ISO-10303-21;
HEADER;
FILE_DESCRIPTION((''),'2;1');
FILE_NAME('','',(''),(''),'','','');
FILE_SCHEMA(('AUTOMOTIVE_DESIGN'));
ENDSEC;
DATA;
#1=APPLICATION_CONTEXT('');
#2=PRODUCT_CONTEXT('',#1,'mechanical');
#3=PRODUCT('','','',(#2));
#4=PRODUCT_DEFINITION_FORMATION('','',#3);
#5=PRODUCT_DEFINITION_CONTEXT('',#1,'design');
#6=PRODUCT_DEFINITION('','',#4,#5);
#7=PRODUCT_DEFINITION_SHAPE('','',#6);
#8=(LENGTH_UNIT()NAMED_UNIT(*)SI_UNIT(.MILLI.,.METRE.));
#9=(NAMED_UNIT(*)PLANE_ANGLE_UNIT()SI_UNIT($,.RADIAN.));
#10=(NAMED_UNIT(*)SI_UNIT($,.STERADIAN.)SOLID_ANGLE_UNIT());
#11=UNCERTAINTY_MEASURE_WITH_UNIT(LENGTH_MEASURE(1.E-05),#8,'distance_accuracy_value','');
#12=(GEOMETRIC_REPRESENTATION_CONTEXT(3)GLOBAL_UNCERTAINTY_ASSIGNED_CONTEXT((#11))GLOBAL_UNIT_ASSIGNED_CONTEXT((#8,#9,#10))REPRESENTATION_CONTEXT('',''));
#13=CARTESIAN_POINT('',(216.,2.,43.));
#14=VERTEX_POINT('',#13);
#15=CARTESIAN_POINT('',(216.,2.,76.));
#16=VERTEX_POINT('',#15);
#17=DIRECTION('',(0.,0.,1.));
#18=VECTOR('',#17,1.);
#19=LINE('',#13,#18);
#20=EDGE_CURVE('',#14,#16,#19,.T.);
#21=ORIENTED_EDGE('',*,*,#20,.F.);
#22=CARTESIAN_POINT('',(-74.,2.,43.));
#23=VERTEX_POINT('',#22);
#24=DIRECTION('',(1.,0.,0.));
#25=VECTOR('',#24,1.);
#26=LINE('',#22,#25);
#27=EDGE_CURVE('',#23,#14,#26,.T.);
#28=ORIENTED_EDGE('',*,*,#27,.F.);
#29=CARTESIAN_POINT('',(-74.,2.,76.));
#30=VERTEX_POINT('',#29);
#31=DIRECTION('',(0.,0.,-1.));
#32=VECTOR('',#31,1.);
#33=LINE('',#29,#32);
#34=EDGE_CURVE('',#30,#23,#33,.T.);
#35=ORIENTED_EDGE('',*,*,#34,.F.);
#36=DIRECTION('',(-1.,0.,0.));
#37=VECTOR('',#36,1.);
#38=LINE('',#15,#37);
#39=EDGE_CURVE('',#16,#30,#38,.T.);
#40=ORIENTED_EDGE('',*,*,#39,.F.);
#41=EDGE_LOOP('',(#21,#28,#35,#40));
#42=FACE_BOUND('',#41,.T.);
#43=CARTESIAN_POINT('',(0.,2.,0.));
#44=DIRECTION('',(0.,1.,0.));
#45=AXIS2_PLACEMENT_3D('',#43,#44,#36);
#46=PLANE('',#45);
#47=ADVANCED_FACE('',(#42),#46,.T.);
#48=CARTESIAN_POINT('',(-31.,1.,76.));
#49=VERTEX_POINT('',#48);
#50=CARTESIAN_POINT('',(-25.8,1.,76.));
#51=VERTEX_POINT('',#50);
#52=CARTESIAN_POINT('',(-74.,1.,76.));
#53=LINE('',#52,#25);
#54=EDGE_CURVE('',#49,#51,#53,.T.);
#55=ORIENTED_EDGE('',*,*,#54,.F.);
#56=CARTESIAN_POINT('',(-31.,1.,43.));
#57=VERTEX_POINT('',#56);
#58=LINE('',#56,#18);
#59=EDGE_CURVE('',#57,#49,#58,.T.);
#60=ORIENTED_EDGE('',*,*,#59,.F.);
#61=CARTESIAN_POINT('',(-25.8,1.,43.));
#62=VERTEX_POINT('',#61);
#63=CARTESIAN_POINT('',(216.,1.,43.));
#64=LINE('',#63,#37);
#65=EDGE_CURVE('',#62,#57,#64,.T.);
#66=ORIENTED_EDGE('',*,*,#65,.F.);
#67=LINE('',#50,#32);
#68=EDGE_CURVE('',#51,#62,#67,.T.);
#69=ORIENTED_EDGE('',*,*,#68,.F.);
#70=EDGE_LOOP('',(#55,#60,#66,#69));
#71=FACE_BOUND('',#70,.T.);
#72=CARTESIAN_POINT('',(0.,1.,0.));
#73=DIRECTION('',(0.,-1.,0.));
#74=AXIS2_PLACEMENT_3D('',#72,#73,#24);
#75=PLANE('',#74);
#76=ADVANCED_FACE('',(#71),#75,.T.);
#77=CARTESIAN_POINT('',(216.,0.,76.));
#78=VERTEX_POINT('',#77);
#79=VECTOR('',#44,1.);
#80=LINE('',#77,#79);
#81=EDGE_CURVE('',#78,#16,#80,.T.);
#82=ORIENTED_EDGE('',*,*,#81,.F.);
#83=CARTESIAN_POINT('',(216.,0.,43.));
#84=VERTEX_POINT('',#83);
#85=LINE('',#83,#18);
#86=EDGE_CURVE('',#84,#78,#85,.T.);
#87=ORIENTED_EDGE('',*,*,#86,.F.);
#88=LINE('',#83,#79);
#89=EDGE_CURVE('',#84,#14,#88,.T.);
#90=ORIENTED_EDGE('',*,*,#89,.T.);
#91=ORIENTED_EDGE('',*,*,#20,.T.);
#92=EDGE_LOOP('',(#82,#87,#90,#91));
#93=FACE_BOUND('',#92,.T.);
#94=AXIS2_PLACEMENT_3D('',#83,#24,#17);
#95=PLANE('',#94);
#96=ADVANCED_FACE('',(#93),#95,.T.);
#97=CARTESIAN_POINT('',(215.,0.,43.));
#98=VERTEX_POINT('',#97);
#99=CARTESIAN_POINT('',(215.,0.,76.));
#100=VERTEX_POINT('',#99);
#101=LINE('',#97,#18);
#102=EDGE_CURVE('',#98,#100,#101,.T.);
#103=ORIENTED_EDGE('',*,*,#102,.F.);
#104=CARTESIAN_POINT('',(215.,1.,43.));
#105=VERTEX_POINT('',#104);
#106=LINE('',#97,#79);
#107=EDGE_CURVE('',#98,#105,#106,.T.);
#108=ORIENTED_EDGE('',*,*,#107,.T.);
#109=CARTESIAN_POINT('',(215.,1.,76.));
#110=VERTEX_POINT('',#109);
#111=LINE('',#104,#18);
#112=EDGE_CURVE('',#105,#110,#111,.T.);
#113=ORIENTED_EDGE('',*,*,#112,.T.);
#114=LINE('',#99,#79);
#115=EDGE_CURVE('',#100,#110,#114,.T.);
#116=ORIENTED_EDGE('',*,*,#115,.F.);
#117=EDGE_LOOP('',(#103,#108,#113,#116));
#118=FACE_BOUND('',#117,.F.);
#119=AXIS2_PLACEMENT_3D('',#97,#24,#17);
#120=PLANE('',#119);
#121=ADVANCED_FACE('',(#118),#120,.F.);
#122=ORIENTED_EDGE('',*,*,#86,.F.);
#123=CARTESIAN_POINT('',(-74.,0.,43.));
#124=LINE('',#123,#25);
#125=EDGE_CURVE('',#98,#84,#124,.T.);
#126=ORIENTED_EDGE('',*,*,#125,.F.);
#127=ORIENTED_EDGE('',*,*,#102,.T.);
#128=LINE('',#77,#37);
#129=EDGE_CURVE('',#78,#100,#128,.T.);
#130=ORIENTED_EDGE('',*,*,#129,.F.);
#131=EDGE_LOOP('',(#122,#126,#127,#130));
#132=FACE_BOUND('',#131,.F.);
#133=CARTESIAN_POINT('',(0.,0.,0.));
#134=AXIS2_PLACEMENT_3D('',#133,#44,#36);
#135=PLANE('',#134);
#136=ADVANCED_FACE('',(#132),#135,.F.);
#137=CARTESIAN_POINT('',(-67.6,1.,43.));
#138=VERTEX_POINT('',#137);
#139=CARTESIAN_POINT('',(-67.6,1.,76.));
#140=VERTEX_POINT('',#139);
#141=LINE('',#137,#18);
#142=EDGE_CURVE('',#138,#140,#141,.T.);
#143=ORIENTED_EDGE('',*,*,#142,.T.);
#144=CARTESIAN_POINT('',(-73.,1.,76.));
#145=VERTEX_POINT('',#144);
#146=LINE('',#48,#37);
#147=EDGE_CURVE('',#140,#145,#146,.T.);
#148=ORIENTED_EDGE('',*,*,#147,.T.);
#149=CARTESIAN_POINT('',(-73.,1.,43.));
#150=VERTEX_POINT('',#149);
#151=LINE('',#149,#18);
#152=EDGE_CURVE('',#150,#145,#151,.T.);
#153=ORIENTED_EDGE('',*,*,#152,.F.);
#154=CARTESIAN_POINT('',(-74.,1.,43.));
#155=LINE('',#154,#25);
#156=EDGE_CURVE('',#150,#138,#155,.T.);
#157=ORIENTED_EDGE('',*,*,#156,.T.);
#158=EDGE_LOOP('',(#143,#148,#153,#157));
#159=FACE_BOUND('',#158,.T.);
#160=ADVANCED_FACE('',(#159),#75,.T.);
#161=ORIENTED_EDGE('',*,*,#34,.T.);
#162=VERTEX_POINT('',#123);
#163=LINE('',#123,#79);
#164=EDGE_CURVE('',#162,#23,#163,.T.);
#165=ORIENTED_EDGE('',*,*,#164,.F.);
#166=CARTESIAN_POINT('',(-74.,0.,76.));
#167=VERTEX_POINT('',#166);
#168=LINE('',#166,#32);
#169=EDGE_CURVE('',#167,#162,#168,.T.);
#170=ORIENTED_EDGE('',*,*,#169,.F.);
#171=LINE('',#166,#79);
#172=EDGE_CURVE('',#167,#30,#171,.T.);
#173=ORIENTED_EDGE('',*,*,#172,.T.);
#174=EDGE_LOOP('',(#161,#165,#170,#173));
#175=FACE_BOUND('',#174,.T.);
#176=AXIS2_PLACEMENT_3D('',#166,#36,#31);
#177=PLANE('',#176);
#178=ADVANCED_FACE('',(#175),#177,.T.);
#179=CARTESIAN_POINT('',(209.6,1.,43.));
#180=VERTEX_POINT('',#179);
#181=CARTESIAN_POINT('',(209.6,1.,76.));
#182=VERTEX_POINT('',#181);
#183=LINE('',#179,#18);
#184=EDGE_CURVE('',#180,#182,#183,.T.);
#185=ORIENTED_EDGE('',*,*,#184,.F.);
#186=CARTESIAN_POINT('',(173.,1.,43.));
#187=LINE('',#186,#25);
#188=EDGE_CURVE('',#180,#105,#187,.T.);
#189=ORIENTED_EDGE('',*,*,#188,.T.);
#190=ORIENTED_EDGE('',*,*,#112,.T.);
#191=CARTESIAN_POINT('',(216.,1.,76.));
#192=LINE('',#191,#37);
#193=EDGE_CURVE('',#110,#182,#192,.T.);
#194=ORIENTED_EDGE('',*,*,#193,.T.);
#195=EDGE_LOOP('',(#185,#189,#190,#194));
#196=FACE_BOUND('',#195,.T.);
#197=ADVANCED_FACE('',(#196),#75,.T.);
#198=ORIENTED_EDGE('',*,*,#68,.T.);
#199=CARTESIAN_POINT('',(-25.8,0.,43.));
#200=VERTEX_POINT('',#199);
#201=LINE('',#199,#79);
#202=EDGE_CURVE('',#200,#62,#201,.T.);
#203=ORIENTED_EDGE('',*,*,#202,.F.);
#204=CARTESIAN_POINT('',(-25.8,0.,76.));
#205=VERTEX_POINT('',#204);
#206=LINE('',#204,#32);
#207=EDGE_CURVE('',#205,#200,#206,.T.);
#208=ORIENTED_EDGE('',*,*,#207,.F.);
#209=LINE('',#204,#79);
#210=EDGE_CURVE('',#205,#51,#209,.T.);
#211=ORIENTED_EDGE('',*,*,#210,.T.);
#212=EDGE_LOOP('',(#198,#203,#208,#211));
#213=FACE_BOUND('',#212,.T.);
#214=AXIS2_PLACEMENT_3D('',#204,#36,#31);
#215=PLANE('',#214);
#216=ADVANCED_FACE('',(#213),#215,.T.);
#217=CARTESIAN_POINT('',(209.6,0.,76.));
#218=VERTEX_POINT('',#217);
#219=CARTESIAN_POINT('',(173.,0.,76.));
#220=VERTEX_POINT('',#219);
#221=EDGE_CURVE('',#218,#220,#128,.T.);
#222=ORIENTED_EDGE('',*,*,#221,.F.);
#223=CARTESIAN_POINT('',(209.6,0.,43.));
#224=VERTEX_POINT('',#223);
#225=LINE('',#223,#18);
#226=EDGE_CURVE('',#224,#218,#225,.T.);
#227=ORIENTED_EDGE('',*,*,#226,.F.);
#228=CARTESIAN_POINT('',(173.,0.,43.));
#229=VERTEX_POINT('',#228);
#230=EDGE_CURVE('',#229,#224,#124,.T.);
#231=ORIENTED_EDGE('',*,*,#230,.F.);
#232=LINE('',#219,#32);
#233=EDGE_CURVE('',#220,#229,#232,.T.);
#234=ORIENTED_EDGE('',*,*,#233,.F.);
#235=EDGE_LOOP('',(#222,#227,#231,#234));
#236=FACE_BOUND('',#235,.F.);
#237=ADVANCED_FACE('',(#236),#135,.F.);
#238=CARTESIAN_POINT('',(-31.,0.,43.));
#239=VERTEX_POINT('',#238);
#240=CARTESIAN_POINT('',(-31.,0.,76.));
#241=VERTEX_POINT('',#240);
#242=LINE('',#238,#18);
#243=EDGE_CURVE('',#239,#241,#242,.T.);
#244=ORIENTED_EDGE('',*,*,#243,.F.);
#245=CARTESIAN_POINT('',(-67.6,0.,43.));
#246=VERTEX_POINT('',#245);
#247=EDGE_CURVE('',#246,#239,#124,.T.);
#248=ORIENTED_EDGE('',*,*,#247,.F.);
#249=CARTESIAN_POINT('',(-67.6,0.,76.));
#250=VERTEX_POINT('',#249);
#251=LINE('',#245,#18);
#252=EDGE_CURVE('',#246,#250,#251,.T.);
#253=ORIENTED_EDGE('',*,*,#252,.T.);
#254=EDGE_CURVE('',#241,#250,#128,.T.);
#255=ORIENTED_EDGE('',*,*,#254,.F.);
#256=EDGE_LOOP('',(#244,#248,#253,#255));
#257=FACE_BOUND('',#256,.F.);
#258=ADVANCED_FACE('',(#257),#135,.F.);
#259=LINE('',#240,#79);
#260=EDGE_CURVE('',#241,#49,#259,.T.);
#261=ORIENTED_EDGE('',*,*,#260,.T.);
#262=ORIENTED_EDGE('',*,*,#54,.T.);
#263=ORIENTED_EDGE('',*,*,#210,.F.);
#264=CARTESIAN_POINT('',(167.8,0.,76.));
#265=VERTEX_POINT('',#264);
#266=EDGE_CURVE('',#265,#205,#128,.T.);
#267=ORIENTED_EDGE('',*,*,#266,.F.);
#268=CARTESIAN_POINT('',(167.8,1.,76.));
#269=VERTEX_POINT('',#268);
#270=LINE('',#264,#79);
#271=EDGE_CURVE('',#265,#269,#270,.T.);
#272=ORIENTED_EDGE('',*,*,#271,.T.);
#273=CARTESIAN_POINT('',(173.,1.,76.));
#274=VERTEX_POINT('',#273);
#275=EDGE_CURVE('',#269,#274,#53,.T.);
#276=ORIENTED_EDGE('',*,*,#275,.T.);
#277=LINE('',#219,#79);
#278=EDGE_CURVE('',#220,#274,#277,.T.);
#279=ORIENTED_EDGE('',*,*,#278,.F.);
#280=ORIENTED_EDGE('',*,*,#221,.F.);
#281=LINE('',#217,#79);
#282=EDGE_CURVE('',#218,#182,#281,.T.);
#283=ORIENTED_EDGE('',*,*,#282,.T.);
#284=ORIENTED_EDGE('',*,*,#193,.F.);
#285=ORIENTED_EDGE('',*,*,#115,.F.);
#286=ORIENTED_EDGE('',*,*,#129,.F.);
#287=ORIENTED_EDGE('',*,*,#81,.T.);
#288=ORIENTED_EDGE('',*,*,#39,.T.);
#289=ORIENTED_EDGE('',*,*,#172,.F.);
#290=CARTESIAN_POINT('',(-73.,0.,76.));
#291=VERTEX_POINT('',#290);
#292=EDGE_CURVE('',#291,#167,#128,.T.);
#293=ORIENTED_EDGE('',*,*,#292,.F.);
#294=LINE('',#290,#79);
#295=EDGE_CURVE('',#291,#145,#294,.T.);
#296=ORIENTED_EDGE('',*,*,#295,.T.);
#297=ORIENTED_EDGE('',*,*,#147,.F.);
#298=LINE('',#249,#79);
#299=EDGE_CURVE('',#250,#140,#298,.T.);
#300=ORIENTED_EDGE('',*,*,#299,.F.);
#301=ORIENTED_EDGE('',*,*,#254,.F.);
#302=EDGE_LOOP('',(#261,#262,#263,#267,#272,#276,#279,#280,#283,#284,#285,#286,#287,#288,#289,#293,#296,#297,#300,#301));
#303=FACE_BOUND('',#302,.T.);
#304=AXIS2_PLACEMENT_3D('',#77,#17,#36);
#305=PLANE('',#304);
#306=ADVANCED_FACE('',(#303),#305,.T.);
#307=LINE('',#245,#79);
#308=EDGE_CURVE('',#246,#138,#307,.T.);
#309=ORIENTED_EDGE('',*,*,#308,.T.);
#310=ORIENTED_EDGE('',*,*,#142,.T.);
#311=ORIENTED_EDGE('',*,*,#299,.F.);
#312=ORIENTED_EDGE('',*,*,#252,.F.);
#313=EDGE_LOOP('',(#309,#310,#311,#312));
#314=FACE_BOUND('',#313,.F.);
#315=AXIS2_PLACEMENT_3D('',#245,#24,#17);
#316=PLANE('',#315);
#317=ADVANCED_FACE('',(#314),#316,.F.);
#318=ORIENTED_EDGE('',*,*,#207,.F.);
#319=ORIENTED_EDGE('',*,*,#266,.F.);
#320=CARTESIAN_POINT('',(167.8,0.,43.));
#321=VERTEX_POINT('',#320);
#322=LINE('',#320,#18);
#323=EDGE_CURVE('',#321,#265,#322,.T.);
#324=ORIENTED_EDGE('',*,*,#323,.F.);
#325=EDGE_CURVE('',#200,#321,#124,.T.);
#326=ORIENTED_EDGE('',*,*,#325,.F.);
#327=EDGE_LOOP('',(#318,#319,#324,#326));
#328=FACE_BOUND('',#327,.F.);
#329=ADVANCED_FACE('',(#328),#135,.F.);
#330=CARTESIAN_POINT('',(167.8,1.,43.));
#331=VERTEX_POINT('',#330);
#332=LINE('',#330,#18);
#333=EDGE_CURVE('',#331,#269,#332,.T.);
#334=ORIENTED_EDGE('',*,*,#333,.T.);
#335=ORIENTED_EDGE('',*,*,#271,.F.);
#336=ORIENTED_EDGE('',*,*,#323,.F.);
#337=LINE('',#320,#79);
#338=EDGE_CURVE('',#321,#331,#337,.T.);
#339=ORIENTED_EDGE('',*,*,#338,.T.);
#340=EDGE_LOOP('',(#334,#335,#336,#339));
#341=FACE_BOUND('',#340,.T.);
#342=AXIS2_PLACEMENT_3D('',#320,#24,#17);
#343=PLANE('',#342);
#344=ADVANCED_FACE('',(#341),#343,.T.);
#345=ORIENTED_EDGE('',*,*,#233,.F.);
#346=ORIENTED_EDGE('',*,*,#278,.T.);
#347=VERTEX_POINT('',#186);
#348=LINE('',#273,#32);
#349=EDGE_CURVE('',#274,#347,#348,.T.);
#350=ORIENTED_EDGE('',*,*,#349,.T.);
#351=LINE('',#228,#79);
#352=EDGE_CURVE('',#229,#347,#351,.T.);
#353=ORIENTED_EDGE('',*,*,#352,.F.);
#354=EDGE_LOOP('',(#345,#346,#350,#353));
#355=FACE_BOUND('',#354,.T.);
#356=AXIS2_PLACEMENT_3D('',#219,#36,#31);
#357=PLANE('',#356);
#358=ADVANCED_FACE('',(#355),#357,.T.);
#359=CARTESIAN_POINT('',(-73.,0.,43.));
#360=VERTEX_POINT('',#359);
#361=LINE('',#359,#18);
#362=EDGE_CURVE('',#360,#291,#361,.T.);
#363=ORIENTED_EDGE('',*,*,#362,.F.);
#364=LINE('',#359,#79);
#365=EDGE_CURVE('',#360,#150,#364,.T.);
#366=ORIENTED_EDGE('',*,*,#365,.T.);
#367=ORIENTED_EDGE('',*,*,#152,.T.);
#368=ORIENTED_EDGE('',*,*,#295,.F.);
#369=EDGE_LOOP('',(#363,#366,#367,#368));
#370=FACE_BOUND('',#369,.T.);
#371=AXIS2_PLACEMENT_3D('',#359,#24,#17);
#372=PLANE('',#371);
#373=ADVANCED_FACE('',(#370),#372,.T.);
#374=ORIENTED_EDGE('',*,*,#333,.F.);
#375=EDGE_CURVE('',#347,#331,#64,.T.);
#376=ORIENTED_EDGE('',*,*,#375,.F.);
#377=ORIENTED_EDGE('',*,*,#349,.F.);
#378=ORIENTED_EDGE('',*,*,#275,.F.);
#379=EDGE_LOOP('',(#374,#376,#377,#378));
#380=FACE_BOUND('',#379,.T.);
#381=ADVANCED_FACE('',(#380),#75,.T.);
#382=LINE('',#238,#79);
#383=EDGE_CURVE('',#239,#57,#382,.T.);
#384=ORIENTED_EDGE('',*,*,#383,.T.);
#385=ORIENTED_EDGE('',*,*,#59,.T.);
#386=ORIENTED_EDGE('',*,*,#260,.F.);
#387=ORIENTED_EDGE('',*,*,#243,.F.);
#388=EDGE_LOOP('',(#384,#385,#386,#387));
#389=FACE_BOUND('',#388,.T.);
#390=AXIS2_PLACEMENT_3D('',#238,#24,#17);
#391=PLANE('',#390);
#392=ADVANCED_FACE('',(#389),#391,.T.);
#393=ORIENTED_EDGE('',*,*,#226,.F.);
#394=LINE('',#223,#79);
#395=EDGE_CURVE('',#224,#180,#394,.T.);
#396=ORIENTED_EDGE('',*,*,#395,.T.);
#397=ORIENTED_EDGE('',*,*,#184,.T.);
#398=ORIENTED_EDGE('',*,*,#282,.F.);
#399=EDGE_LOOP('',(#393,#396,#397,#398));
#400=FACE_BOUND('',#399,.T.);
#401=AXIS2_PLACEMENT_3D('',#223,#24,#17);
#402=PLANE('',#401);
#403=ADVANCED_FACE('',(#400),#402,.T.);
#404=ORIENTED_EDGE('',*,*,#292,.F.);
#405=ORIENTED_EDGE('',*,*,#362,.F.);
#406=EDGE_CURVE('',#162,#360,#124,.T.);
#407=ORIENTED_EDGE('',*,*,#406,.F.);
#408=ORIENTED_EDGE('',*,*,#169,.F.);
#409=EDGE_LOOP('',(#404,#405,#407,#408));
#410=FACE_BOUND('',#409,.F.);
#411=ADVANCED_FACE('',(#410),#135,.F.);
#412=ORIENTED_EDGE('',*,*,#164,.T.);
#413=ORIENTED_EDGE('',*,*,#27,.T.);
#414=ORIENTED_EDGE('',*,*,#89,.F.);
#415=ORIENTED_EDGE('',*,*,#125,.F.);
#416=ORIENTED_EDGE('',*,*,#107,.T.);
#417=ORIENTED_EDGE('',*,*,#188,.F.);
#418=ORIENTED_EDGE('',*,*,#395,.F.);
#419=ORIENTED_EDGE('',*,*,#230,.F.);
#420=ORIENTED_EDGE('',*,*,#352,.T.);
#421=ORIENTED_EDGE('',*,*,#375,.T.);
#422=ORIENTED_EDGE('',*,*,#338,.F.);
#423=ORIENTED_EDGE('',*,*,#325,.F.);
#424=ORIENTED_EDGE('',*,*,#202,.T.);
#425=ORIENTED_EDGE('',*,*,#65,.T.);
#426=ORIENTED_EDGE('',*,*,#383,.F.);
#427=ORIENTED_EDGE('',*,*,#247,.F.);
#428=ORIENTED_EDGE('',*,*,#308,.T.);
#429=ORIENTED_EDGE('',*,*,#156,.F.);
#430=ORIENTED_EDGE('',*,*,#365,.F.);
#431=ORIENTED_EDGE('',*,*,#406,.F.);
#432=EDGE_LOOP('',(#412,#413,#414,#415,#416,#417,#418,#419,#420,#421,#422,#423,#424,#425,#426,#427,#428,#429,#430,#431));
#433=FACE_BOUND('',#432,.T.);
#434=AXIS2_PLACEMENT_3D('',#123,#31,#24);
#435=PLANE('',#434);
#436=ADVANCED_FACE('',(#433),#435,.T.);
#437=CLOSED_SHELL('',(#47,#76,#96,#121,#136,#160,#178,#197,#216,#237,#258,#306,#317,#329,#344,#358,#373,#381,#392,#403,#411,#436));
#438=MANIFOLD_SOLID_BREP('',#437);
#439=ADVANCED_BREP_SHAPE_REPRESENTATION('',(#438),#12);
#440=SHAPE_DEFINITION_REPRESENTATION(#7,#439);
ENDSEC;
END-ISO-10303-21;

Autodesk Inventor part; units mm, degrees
ref_plane "YZ Plane" through (0, 0, 0) normal (1, 0, 0) x (0, 1, 0)
ref_plane "XZ Plane" through (0, 0, 0) normal (0, 1, 0) x (-1, 0, 0)
ref_plane "XY Plane" through (0, 0, 0) normal (0, 0, 1) x (1, 0, 0)
sketch "스케치1" plane through (0, 0, 0) normal (0, 1, 0) x (-1, 0, 0)
  line L0 (74, 43) -> (-216, 43)
  line L1 (-216, 43) -> (-216, 76)
  line L2 (-216, 76) -> (74, 76)
  line L3 (74, 76) -> (74, 43)
  point P0 (0, 0)
  dimension "d0" = 290
  dimension "d1" = 33
extrude "돌출1" add sketch "스케치1" along normal blind 2
sketch "스케치2" plane through (0, 0, 0) normal (0, -1, 0) x (1, 0, 0)
  line L0 (216, 43) -> (-74, 43) projected
  line L1 (-74, 76) -> (216, 76) projected
  line L2 (173, 43) -> (167.8, 43)
  line L3 (167.8, 43) -> (167.8, 76)
  line L4 (167.8, 76) -> (173, 76)
  line L5 (173, 76) -> (173, 43)
  line L6 (216, 43) -> (216, 76) projected
  line L7 (216, 76) -> (-74, 76) projected
  line L8 (-74, 43) -> (216, 43) projected
  line L9 (-31, 76) -> (-25.8, 76)
  line L10 (-25.8, 76) -> (-25.8, 43)
  line L11 (-25.8, 43) -> (-31, 43)
  line L12 (-31, 43) -> (-31, 76)
  line L13 (-74, 76) -> (-74, 43) projected
  point P0 (0, 0)
  dimension "d4" = 5.2
  dimension "d5" = 43
  dimension "d6" = 5.2
  dimension "d7" = 43
extrude "돌출2" cut sketch "스케치2" against normal blind 1 contours L0 L3 L1 L5 | L0 L12 L1 L10
sketch "스케치3" plane through (0, 0, 0) normal (0, -1, 0) x (1, 0, 0)
  line L0 (173, 76) -> (173, 43) projected
  line L1 (173, 43) -> (216, 43) projected
  line L2 (216, 43) -> (216, 76) projected
  line L3 (216, 76) -> (173, 76) projected
  line L4 (-31, 43) -> (-31, 76) projected
  line L5 (-31, 76) -> (-74, 76) projected
  line L6 (-74, 76) -> (-74, 43) projected
  line L7 (-74, 43) -> (-31, 43) projected
  line L8 (215, 43) -> (215, 76)
  line L9 (-74, 76) -> (216, 76) projected
  line L10 (209.6, 43) -> (209.6, 76)
  line L11 (-74, 43) -> (-31, 43) projected
  line L12 (-73, 43) -> (-73, 76)
  line L13 (-67.6, 43) -> (-67.6, 76)
  line L14 (-31, 76) -> (-74, 76) projected
  point P0 (0, 0)
  dimension "d10" = 1
  dimension "d11" = 5.4
  dimension "d12" = 1
  dimension "d13" = 5.4
extrude "돌출3" cut sketch "스케치3" against normal blind 1 contours L3 L8 L1 L10 | L13 L7 L12 L5
properties part number "앞판_밑" material "알루미늄 6061"
